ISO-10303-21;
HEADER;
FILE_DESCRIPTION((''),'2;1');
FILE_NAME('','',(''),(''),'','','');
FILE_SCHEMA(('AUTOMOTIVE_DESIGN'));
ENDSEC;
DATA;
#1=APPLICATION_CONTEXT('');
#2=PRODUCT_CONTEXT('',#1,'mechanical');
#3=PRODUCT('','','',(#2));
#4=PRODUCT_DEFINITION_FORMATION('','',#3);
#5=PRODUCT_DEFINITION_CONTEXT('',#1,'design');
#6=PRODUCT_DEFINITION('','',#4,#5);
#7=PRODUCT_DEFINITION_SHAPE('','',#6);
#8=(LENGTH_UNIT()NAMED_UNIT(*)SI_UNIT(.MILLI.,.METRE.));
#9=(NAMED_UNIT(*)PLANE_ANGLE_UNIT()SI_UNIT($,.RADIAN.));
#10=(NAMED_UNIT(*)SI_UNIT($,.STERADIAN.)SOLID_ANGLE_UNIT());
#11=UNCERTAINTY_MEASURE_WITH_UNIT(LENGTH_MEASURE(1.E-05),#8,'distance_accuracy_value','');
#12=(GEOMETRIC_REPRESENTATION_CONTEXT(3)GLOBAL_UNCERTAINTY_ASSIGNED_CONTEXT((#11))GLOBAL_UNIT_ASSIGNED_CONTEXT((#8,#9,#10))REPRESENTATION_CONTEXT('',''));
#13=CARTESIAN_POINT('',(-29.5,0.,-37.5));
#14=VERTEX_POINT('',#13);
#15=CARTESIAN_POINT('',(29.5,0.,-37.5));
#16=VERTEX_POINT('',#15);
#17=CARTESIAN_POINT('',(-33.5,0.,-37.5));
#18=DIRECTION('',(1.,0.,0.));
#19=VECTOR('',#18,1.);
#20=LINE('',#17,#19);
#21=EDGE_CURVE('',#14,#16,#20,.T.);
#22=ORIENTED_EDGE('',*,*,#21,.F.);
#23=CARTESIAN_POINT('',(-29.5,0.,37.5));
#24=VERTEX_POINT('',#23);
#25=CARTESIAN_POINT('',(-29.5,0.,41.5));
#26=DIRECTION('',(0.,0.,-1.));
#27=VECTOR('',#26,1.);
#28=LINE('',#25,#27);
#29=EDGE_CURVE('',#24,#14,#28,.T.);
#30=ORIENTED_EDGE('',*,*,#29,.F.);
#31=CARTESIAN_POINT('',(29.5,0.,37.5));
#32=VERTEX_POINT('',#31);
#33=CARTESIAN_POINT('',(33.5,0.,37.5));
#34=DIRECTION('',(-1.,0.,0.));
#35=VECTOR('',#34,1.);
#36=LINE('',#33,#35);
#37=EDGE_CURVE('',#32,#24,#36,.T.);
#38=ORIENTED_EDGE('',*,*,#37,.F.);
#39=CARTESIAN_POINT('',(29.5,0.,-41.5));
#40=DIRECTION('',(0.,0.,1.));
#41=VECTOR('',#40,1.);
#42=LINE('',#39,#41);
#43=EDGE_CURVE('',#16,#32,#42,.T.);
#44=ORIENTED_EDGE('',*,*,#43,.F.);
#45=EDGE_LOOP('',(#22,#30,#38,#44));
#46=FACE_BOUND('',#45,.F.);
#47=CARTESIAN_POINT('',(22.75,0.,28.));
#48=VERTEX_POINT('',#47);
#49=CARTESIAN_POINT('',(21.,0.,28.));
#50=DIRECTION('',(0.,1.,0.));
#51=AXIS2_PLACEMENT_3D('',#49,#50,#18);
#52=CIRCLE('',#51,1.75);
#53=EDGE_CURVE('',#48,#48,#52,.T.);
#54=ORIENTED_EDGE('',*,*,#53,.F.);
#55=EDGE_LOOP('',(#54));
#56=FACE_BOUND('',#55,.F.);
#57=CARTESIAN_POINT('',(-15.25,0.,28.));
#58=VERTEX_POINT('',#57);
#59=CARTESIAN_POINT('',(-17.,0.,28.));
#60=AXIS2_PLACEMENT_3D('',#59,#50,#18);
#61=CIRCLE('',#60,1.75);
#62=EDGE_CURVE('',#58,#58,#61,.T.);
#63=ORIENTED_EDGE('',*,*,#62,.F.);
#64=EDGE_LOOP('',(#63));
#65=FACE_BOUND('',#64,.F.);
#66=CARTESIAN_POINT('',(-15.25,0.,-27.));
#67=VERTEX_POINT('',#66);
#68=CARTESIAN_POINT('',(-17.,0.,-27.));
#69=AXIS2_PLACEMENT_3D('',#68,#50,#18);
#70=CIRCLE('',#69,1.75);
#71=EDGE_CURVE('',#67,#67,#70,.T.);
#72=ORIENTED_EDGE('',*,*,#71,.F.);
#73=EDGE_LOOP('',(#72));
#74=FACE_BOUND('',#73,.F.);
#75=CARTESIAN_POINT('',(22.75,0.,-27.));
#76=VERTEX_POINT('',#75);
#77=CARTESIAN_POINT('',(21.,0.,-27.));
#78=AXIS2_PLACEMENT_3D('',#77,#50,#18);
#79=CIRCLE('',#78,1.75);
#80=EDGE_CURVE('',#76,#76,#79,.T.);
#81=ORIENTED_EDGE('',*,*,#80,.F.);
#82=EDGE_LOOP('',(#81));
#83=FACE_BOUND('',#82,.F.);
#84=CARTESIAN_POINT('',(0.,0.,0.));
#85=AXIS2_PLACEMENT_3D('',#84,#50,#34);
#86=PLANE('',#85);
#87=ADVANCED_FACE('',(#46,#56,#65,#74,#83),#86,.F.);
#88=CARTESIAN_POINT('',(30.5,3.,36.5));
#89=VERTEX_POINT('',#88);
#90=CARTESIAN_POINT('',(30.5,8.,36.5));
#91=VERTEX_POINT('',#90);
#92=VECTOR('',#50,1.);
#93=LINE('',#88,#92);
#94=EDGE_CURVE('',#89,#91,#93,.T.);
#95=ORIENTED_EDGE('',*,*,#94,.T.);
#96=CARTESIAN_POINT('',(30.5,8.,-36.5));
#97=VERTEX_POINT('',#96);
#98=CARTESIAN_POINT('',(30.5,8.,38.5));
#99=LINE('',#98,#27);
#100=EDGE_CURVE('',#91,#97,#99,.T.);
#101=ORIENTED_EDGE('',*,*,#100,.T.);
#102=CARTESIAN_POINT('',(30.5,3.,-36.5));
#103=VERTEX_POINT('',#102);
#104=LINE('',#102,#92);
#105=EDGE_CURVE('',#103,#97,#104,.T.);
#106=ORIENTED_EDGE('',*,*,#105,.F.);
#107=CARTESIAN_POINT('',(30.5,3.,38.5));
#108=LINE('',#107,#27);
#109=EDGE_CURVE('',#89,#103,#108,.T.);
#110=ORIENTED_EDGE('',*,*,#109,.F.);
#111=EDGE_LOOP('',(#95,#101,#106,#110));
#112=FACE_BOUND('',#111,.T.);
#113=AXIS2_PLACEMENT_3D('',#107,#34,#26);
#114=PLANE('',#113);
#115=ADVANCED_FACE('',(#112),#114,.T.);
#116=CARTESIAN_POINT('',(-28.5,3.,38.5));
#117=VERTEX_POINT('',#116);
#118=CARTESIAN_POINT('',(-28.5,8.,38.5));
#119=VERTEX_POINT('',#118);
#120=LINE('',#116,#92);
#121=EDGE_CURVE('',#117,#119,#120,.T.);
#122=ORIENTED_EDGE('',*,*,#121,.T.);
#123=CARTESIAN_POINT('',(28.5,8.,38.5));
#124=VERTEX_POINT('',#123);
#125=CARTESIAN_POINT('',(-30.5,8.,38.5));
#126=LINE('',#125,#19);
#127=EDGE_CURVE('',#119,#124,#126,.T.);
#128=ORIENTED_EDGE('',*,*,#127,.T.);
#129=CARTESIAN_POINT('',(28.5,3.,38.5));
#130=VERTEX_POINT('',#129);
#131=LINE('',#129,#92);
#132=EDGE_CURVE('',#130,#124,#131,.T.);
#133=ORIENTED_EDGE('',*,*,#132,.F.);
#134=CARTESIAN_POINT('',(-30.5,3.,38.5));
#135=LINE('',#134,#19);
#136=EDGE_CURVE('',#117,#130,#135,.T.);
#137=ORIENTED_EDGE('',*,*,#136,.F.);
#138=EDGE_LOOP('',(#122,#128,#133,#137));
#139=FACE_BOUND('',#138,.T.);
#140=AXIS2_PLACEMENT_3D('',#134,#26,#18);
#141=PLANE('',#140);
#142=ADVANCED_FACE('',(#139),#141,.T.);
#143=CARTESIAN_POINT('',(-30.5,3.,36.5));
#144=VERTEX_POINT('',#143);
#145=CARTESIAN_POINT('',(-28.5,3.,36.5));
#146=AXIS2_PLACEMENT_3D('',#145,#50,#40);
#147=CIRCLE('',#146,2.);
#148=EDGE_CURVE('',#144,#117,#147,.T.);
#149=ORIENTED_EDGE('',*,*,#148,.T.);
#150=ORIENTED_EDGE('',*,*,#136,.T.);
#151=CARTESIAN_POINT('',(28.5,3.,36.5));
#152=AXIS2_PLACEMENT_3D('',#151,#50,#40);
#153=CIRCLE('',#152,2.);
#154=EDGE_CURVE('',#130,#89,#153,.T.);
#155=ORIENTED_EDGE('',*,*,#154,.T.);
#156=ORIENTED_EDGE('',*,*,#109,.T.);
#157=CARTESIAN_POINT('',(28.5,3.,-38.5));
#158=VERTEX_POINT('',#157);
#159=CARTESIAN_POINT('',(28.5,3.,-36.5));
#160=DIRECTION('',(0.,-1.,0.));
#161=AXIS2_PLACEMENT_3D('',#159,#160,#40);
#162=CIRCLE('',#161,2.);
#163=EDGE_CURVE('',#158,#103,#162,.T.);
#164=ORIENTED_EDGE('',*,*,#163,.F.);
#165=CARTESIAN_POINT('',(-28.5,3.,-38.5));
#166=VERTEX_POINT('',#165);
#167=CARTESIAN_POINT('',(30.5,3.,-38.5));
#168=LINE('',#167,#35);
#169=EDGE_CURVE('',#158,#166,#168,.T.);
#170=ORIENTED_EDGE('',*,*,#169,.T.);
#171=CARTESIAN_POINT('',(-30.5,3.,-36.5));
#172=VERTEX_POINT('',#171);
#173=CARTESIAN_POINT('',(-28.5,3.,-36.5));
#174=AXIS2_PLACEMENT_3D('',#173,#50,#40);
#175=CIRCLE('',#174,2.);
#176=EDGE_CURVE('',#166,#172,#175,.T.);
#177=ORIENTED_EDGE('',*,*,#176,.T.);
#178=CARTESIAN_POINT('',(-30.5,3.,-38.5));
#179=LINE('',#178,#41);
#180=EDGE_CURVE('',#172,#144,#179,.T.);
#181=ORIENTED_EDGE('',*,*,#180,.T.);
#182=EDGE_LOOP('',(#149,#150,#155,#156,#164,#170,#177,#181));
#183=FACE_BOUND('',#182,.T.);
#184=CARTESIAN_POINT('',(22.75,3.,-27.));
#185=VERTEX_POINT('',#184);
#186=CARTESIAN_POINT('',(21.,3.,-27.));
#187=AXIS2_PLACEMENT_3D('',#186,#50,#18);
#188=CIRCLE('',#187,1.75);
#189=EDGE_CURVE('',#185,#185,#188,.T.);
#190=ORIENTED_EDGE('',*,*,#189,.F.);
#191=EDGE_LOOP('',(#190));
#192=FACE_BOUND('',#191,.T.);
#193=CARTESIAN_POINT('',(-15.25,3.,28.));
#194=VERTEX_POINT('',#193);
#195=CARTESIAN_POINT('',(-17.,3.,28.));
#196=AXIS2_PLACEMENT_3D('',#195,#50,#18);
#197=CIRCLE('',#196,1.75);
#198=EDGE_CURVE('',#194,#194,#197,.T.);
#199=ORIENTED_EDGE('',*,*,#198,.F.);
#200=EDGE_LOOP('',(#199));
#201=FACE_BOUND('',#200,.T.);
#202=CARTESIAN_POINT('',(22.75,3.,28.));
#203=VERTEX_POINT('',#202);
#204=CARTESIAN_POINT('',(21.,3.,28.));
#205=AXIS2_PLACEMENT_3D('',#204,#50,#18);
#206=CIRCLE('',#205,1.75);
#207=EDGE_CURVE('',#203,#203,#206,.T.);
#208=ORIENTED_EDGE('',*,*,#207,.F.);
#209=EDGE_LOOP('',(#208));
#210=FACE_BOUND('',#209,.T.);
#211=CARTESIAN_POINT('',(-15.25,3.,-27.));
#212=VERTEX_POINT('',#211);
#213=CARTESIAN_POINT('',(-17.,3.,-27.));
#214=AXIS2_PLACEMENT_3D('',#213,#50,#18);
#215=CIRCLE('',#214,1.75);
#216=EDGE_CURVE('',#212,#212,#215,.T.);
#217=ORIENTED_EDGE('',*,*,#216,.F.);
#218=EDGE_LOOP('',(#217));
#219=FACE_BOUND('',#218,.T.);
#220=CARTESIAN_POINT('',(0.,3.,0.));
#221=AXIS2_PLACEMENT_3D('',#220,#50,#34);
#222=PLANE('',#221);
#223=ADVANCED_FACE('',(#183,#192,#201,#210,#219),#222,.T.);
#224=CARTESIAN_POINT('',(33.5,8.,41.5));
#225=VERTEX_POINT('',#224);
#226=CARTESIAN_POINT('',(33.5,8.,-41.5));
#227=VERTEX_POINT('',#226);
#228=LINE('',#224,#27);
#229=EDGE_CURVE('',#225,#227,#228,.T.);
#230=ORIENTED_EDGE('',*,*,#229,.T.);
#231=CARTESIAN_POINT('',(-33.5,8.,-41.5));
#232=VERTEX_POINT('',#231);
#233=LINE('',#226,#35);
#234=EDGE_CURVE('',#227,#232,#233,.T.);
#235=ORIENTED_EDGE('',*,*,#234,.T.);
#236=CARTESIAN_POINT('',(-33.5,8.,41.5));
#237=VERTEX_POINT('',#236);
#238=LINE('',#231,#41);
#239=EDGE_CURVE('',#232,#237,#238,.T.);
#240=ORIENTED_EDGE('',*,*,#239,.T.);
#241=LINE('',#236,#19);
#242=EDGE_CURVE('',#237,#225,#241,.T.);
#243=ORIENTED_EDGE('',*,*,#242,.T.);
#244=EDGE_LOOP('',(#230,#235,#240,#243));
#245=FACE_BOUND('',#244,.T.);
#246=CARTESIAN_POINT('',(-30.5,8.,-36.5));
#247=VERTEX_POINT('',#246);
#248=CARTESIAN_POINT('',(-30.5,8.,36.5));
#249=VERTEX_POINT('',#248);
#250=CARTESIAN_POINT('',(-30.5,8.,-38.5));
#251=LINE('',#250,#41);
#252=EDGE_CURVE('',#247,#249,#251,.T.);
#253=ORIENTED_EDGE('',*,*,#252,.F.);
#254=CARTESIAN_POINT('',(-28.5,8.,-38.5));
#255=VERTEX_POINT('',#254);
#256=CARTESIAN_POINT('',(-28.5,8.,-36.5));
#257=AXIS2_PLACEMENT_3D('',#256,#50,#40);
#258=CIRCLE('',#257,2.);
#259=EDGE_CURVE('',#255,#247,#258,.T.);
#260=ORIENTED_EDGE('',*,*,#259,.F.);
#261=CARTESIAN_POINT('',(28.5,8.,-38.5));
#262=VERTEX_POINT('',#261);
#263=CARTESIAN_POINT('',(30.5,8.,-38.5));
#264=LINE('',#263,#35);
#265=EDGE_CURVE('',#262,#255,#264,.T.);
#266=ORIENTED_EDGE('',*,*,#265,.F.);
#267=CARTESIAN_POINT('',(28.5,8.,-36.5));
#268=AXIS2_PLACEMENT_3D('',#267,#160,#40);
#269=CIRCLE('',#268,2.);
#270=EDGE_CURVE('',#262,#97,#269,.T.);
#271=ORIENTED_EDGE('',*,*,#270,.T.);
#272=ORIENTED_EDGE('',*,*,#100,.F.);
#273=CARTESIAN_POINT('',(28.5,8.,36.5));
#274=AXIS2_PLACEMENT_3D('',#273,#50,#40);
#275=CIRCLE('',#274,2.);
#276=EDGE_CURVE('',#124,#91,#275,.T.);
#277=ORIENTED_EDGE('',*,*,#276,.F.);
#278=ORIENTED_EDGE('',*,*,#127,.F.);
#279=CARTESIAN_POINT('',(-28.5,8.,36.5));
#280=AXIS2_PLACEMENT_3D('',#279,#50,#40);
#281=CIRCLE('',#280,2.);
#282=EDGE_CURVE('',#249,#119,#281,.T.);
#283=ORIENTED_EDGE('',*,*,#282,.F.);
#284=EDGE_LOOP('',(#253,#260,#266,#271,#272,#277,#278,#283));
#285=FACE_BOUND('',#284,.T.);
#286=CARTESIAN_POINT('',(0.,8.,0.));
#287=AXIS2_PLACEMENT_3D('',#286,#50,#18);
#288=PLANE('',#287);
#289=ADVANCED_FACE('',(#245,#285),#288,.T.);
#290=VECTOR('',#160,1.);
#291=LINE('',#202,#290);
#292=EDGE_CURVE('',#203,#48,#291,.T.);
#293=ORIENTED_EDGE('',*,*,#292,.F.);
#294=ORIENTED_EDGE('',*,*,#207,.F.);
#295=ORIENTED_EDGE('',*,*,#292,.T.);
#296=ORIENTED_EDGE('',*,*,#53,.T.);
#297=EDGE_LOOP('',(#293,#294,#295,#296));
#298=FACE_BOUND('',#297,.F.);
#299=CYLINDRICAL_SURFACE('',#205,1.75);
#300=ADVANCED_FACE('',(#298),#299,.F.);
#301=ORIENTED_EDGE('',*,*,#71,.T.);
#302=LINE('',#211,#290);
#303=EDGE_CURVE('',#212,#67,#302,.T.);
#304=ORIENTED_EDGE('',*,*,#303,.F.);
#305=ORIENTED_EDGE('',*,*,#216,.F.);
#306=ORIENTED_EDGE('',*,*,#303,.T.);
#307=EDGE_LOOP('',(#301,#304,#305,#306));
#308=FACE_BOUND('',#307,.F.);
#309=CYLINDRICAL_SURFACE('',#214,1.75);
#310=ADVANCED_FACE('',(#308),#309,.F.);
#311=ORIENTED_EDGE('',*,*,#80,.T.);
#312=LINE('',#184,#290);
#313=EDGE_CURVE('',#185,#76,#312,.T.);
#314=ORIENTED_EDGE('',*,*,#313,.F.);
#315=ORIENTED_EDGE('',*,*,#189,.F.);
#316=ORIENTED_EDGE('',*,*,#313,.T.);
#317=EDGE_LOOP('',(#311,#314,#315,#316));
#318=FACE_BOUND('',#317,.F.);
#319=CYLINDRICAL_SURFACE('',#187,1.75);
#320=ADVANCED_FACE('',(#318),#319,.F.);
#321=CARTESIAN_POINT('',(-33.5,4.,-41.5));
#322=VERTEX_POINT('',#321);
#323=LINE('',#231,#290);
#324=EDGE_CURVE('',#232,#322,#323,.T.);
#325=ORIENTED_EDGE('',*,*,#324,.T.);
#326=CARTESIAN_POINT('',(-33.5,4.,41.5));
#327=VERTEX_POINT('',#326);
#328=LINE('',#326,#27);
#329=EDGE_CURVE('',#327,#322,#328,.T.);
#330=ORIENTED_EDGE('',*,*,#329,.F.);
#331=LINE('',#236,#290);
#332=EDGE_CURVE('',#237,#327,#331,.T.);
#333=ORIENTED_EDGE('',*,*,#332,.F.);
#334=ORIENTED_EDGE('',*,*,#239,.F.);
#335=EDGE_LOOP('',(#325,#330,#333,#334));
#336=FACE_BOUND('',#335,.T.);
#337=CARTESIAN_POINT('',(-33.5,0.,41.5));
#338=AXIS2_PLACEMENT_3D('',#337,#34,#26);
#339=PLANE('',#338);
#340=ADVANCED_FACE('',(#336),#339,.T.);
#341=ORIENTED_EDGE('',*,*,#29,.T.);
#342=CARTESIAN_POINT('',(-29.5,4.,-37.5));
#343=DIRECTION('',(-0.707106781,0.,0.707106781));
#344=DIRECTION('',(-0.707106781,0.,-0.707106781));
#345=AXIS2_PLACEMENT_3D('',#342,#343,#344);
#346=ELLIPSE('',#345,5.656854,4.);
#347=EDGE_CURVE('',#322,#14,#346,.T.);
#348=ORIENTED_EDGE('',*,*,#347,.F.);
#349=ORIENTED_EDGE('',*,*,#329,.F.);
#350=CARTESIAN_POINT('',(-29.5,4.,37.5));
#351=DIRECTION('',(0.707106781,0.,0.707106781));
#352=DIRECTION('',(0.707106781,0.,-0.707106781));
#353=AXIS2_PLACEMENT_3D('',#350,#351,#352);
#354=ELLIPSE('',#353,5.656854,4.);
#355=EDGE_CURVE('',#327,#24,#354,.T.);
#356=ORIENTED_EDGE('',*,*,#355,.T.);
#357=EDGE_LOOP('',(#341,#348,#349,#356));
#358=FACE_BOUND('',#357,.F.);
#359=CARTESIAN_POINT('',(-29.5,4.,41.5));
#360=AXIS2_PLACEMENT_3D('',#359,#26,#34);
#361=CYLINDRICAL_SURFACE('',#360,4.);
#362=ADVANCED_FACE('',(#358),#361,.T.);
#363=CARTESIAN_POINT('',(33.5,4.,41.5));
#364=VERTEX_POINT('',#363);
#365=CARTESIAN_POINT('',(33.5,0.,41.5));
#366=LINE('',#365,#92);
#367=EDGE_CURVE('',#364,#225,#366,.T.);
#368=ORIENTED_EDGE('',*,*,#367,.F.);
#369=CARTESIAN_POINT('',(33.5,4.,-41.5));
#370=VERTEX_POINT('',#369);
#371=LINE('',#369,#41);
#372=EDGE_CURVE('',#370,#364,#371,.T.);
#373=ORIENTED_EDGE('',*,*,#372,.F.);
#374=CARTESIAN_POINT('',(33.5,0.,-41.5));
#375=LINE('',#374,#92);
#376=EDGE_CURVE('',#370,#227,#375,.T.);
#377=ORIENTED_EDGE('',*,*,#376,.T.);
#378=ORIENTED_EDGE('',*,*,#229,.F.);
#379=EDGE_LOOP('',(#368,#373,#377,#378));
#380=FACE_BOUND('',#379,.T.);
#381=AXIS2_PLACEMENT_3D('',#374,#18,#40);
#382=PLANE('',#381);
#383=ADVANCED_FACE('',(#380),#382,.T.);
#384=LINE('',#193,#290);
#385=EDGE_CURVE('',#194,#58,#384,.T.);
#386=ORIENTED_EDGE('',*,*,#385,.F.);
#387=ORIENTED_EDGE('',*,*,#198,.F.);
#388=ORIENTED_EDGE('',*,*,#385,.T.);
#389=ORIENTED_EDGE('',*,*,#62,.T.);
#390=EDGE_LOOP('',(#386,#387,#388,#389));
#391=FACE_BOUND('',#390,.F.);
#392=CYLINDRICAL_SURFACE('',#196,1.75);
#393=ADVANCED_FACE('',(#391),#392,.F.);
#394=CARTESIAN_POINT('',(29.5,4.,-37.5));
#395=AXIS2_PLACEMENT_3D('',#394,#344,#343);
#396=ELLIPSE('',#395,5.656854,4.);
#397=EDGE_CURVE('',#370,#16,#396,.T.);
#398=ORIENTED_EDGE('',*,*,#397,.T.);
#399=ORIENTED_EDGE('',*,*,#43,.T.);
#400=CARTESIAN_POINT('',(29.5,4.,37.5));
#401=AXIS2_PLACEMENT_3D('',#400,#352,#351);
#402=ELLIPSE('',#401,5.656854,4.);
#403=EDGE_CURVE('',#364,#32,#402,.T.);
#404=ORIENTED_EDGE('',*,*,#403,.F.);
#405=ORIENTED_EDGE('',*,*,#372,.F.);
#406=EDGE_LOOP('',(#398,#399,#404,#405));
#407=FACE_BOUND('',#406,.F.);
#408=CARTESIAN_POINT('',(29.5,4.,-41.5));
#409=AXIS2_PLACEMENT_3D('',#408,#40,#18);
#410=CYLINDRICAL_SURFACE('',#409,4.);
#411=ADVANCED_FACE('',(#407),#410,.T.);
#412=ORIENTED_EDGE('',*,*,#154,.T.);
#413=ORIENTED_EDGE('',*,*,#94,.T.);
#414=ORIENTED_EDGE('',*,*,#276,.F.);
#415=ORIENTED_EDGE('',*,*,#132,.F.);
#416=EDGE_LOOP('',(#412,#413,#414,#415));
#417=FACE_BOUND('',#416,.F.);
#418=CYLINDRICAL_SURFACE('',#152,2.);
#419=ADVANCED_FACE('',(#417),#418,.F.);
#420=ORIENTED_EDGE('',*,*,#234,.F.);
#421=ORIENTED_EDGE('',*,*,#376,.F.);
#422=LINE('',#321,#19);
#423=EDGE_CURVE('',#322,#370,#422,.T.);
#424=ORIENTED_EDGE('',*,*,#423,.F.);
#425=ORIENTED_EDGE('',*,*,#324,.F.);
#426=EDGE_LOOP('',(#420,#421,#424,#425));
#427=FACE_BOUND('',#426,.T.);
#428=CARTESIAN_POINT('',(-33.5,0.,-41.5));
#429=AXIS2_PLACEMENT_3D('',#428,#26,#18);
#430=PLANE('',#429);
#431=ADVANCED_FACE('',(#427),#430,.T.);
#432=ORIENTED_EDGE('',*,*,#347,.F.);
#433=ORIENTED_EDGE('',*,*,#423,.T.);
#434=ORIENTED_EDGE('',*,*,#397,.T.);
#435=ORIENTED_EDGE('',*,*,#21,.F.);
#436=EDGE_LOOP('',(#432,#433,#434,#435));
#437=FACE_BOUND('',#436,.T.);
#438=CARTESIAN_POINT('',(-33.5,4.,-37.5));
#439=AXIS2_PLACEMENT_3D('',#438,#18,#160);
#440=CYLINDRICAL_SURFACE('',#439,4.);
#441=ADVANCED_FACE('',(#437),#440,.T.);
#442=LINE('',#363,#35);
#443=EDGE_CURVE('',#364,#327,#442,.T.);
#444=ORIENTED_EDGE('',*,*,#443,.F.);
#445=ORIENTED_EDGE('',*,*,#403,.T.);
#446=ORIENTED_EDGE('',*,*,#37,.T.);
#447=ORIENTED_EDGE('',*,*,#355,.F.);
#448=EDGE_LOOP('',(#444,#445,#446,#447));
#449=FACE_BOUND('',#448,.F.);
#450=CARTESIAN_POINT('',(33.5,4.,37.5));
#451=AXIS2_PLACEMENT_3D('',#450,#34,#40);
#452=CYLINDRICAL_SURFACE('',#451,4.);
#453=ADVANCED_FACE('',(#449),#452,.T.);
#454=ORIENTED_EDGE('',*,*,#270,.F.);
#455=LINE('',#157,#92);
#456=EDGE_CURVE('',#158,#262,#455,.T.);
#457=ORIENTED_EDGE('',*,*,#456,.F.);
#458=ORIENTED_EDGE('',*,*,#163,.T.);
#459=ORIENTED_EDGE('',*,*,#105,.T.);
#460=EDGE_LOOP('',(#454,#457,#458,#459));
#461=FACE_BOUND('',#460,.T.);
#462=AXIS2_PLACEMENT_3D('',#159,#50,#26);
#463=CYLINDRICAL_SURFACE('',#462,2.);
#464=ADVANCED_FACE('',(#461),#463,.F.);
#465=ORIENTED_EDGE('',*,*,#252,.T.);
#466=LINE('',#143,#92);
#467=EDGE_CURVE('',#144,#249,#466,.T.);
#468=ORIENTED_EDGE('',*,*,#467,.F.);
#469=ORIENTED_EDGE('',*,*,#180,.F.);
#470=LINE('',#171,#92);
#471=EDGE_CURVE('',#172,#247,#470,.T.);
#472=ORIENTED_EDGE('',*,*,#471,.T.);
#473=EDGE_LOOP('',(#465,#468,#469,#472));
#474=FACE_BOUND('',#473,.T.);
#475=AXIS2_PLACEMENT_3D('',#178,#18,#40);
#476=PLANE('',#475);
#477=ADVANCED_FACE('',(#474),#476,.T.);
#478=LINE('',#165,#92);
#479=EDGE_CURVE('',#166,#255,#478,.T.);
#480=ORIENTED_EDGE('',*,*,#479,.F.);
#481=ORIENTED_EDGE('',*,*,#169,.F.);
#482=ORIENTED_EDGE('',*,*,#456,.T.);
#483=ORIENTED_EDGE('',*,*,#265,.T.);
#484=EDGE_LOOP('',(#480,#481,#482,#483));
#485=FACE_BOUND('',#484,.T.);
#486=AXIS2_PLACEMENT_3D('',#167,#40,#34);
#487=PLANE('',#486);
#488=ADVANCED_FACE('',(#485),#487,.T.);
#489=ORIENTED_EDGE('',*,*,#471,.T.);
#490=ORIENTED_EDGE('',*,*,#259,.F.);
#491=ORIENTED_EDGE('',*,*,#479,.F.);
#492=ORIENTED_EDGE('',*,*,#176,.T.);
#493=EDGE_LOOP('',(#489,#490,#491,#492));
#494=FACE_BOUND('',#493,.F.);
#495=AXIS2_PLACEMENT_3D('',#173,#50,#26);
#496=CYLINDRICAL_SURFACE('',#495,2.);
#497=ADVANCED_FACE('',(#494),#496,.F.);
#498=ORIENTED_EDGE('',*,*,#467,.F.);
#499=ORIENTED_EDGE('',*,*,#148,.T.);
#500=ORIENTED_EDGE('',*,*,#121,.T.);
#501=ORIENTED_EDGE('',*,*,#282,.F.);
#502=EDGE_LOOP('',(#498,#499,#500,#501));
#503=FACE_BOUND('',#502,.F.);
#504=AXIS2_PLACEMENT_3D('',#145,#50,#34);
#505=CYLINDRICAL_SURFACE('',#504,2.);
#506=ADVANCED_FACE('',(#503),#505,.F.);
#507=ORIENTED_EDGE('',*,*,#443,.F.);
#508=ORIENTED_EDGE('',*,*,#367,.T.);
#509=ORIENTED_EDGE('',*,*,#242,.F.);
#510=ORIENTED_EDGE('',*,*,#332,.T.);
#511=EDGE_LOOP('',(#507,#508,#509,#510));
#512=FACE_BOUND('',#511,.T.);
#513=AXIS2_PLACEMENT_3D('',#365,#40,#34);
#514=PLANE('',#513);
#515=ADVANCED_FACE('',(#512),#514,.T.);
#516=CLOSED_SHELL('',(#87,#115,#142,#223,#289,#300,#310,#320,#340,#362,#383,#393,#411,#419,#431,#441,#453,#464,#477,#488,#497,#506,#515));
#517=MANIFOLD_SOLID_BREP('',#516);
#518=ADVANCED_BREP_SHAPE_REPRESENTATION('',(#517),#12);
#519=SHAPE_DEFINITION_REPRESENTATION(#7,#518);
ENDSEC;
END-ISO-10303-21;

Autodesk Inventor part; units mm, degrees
ref_plane "YZ Plane" through (0, 0, 0) normal (1, 0, 0) x (0, 1, 0)
ref_plane "XZ Plane" through (0, 0, 0) normal (0, 1, 0) x (-1, 0, 0)
ref_plane "XY Plane" through (0, 0, 0) normal (0, 0, 1) x (1, 0, 0)
sketch "Sketch1" plane through (0, 0, 0) normal (0, 1, 0) x (-1, 0, 0)
  line L0 (-33.5, 41.5) -> (33.5, 41.5)
  line L1 (33.5, 41.5) -> (33.5, -41.5)
  line L2 (33.5, -41.5) -> (-33.5, -41.5)
  line L3 (-33.5, -41.5) -> (-33.5, 41.5)
  line L4 (-33.5, 41.5) -> (33.5, -41.5) construction
  line L5 (33.5, 41.5) -> (-33.5, -41.5) construction
  point P0 (0, 0)
  dimension "d0" = 67
  dimension "d1" = 83
extrude "Extrusion1" add sketch "Sketch1" along normal blind 3
sketch "Sketch2" plane through (0, 3, 0) normal (0, 1, 0) x (1, 0, 0)
  line L0 (-33.5, 41.5) -> (-33.5, -41.5) projected
  line L1 (33.5, 41.5) -> (-33.5, 41.5)
  line L2 (-33.5, 41.5) -> (-33.5, -41.5)
  line L3 (-33.5, -41.5) -> (33.5, -41.5)
  line L4 (33.5, -41.5) -> (33.5, 41.5)
  line L5 (33.5, 41.5) -> (-33.5, -41.5) construction
  line L6 (-33.5, 41.5) -> (33.5, -41.5) construction
  line L7 (30.5, 38.5) -> (-30.5, 38.5)
  line L8 (-30.5, 38.5) -> (-30.5, -38.5)
  line L9 (-30.5, -38.5) -> (30.5, -38.5)
  line L10 (30.5, -38.5) -> (30.5, 38.5)
  line L11 (30.5, 38.5) -> (-30.5, -38.5) construction
  line L12 (-30.5, 38.5) -> (30.5, -38.5) construction
  point P0 (0, 0)
  dimension "d4" = 61
  dimension "d5" = 77
extrude "Extrusion2" add sketch "Sketch2" along normal blind 5
sketch "Sketch3" plane through (0, 3, 0) normal (0, 1, 0) x (1, 0, 0)
  circle A0 centre (21, 27) radius 1.75
  line L0 (-30.5, 38.5) -> (30.5, 38.5) projected
  line L1 (30.5, 38.5) -> (30.5, -38.5) projected
  circle A1 centre (21, -28) radius 1.75
  circle A2 centre (-17, 27) radius 1.75
  circle A3 centre (-17, -28) radius 1.75
  point P0 (0, 0)
  point P1 (30.5, -38.5)
  point P2 (26, 41.5)
  point P3 (26, -41.5)
  dimension "d8" = 3.5
  dimension "d9" = 11.5
  dimension "d10" = 9.5
  dimension "d13" = 55
  dimension "d16" = 38
extrude "Extrusion3" cut sketch "Sketch3" against normal blind 5
fillet "Fillet1" radius 4 4 edges at (33.5, 0, 0) (-33.5, 0, 0) (0, 0, 41.5) (0, 0, -41.5)
fillet "Fillet2" radius 2 4 edges at (-30.5, 5.5, -38.5) (30.5, 5.5, -38.5) (30.5, 5.5, 38.5) (-30.5, 5.5, 38.5)
properties part number "Motor_Node_top"
